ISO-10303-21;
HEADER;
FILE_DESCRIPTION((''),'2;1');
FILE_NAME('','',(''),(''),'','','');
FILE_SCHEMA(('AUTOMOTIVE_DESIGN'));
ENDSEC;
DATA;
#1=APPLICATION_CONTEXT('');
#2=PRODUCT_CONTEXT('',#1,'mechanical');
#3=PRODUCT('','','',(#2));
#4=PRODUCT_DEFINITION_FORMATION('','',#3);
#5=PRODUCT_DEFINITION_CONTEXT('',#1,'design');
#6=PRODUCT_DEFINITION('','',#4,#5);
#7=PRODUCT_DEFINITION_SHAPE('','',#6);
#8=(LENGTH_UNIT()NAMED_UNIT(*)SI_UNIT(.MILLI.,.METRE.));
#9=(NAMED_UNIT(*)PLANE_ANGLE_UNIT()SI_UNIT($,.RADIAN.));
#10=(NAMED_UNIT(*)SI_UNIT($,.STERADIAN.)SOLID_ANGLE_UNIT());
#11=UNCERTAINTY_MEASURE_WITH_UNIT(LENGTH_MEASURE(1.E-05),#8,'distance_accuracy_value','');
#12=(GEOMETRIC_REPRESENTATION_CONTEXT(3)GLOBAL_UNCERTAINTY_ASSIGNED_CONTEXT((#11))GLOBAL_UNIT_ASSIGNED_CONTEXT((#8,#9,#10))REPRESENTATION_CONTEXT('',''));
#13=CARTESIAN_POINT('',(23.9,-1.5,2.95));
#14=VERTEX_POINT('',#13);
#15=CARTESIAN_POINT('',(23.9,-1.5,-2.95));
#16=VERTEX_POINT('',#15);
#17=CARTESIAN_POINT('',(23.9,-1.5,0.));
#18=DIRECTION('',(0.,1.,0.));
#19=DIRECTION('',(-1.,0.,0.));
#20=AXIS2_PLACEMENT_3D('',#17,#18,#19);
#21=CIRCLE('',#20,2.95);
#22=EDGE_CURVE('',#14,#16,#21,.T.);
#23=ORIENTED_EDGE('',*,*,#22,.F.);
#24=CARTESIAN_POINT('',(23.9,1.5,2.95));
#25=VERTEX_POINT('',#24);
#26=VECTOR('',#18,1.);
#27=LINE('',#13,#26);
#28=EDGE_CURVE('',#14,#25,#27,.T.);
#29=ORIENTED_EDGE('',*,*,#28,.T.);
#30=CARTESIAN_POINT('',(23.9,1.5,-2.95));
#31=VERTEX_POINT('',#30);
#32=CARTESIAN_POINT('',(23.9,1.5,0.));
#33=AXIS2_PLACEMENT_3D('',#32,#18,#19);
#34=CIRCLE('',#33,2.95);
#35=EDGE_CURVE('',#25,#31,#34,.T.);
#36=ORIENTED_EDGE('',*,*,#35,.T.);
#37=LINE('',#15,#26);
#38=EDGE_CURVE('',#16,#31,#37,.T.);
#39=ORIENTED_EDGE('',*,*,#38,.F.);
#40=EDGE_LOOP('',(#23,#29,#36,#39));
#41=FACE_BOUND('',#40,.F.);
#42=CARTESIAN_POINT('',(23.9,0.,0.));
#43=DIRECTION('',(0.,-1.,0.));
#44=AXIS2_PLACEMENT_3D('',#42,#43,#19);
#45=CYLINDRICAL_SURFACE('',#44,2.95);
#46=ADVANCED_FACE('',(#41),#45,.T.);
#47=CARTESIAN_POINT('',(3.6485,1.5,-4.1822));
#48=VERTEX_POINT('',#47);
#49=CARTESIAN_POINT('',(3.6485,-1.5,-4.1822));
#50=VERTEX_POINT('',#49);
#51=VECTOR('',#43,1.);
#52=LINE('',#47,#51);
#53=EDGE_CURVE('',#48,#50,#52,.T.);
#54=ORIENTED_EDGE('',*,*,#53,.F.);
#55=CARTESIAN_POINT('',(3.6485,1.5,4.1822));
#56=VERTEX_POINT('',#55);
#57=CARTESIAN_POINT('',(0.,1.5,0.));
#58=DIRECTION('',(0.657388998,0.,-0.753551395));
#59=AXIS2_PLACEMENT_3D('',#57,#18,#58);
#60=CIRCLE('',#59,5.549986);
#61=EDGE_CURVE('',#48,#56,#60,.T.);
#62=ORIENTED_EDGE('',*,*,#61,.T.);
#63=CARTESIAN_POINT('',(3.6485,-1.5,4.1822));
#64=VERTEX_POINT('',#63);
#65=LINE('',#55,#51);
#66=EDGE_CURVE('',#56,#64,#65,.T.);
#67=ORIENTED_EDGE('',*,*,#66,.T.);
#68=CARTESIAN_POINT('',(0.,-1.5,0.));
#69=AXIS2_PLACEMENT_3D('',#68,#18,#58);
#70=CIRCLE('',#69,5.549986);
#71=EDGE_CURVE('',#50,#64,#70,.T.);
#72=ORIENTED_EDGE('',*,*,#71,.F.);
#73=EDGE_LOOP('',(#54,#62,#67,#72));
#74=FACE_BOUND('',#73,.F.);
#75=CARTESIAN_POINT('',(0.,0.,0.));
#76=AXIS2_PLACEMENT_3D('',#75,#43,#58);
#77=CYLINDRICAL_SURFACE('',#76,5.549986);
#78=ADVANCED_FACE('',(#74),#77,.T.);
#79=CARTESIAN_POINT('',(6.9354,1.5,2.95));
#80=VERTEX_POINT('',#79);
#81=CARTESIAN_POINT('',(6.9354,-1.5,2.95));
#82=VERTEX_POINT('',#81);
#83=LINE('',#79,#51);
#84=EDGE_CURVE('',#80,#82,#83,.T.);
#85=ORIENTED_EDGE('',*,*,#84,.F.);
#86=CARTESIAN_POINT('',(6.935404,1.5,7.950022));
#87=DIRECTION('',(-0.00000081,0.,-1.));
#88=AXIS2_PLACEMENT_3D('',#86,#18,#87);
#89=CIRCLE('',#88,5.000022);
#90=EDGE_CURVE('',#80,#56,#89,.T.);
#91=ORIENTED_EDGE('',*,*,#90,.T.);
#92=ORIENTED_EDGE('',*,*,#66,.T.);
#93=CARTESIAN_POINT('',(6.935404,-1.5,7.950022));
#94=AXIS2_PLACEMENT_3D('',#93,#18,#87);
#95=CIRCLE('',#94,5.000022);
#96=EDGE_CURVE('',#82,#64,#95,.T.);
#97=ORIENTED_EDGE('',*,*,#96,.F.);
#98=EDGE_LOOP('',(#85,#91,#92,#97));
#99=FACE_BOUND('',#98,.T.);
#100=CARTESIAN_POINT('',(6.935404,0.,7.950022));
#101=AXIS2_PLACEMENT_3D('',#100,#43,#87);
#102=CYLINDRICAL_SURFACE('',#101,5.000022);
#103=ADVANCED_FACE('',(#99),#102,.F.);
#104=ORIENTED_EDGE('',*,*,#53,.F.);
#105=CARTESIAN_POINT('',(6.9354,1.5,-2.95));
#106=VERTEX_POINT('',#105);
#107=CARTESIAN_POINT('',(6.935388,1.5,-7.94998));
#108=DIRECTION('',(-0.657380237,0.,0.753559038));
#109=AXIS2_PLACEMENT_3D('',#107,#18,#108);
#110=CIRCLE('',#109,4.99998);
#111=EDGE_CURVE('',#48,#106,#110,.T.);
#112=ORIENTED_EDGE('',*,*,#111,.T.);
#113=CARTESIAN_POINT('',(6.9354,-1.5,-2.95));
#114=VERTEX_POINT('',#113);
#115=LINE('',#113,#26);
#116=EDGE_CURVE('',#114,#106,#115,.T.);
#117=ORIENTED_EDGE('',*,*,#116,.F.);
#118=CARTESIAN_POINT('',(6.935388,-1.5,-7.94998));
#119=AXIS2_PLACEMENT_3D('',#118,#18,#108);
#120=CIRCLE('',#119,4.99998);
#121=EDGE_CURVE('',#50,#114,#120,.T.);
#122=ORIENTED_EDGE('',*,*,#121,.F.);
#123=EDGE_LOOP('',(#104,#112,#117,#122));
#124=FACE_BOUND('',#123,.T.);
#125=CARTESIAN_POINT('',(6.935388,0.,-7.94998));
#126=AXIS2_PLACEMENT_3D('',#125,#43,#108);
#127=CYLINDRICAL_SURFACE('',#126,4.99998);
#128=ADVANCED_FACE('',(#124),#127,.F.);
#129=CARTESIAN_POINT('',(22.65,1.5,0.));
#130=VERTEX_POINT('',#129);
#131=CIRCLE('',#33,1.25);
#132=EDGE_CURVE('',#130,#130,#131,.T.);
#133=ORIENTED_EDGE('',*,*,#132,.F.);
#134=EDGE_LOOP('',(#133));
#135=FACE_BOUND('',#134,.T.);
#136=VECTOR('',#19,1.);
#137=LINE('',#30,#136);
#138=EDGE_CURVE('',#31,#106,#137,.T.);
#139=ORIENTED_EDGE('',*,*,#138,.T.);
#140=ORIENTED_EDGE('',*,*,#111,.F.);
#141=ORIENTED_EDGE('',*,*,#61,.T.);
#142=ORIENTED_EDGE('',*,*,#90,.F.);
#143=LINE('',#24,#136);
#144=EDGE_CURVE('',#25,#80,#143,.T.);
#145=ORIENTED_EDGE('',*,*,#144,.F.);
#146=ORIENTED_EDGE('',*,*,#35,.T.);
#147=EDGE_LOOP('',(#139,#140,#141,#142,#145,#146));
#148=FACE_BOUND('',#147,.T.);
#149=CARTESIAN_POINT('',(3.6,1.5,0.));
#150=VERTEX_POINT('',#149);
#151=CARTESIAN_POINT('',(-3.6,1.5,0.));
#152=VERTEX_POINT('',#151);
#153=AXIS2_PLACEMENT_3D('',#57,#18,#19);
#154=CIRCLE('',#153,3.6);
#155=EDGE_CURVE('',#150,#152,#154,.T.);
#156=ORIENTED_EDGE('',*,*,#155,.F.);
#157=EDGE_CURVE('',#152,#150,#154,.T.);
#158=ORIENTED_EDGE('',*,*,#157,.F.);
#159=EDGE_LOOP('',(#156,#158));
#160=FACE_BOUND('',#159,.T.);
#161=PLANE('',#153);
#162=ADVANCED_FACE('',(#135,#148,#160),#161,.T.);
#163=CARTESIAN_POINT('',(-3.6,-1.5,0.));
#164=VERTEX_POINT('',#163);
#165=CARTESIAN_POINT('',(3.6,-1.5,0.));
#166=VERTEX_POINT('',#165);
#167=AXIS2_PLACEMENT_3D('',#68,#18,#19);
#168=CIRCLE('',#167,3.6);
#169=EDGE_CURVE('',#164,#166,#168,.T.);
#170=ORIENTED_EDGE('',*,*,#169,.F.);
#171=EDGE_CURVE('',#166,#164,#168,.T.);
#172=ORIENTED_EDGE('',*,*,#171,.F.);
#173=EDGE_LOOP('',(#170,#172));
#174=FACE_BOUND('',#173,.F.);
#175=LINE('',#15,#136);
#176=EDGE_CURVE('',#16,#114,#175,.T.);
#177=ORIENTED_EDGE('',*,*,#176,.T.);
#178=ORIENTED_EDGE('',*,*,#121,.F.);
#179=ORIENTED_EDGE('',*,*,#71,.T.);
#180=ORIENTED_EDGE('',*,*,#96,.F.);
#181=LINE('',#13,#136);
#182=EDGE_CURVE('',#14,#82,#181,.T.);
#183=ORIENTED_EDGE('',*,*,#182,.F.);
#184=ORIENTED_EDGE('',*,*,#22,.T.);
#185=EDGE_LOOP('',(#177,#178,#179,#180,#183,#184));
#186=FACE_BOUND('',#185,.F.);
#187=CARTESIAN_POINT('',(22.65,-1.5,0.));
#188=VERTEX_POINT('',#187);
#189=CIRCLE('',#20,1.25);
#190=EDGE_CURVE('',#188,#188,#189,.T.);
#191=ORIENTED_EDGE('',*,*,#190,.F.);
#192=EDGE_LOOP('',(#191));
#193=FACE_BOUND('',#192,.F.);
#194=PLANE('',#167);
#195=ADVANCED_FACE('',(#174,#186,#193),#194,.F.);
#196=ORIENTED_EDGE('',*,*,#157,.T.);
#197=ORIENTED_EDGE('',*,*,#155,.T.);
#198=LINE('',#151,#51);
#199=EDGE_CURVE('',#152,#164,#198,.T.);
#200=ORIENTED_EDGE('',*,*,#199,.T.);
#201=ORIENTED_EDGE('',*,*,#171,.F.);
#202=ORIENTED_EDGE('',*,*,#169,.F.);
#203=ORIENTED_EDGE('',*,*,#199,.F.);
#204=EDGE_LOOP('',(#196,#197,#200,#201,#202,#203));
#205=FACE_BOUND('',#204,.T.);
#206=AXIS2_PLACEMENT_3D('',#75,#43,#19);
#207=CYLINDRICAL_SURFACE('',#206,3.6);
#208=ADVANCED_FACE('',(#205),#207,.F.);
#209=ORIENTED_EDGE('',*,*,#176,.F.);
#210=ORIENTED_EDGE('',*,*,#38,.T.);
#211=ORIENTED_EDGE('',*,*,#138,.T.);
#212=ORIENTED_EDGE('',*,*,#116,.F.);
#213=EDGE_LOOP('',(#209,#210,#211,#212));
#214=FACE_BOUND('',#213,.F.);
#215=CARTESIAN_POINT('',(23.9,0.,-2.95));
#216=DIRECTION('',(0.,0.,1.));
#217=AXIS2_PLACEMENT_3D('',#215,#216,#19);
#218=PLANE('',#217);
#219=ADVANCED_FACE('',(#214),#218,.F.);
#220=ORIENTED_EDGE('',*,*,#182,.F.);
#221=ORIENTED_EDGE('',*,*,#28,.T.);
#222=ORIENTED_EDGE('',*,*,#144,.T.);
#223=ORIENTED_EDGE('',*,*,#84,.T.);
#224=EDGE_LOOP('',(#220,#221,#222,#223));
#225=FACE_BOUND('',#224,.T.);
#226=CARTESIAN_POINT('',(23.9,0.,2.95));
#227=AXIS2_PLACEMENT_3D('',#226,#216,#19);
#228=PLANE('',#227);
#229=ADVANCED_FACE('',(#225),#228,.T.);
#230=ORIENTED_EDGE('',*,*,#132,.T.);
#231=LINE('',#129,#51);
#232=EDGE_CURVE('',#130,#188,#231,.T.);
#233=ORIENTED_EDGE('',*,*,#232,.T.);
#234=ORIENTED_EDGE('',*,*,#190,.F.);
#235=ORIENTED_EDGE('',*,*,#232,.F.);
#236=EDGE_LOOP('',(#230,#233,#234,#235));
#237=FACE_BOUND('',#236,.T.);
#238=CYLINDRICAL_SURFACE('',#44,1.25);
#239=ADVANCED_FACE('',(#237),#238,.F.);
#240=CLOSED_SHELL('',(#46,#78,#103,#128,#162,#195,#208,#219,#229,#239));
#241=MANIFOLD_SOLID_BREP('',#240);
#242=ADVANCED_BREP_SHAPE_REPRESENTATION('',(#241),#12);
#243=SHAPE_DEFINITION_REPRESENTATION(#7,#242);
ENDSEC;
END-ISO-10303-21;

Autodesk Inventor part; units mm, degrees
ref_plane "YZ Plane" through (0, 0, 0) normal (1, 0, 0) x (0, 1, 0)
ref_plane "XZ Plane" through (0, 0, 0) normal (0, 1, 0) x (-1, 0, 0)
ref_plane "XY Plane" through (0, 0, 0) normal (0, 0, 1) x (1, 0, 0)
sketch "草圖1" plane through (0, 0, 0) normal (0, 1, 0) x (-1, 0, 0)
  circle A0 centre (0, 0) radius 3.6
  arc A1 (-3.6485, -4.1822) -> (-3.6485, 4.1822) centre (0, 0) ccw
  line L0 (0, 0) -> (-23.9, 0)
  circle A2 centre (-23.9, 0) radius 2.95
  circle A3 centre (-23.9, 0) radius 1.25
  line L1 (-23.9, 2.95) -> (-6.9354, 2.95)
  line L2 (-23.9, -2.95) -> (-6.9354, -2.95)
  arc A4 (-6.9354, 2.95) -> (-3.6485, 4.1822) centre (-6.9354, 7.95) ccw
  arc A5 (-3.6485, -4.1822) -> (-6.9354, -2.95) centre (-6.9354, -7.95) ccw
  point P0 (-4.7011, 2.95)
  point P1 (-4.7011, -2.95)
  dimension "d0" = 7.2
  dimension "d1" = 11.1
  dimension "d2" = 23.9
  dimension "d3" = 5.9
  dimension "d4" = 2.5
  dimension "d5" = 5
extrude "擠出1" add sketch "草圖1" along normal mid plane 3
properties part number "小零件4"
